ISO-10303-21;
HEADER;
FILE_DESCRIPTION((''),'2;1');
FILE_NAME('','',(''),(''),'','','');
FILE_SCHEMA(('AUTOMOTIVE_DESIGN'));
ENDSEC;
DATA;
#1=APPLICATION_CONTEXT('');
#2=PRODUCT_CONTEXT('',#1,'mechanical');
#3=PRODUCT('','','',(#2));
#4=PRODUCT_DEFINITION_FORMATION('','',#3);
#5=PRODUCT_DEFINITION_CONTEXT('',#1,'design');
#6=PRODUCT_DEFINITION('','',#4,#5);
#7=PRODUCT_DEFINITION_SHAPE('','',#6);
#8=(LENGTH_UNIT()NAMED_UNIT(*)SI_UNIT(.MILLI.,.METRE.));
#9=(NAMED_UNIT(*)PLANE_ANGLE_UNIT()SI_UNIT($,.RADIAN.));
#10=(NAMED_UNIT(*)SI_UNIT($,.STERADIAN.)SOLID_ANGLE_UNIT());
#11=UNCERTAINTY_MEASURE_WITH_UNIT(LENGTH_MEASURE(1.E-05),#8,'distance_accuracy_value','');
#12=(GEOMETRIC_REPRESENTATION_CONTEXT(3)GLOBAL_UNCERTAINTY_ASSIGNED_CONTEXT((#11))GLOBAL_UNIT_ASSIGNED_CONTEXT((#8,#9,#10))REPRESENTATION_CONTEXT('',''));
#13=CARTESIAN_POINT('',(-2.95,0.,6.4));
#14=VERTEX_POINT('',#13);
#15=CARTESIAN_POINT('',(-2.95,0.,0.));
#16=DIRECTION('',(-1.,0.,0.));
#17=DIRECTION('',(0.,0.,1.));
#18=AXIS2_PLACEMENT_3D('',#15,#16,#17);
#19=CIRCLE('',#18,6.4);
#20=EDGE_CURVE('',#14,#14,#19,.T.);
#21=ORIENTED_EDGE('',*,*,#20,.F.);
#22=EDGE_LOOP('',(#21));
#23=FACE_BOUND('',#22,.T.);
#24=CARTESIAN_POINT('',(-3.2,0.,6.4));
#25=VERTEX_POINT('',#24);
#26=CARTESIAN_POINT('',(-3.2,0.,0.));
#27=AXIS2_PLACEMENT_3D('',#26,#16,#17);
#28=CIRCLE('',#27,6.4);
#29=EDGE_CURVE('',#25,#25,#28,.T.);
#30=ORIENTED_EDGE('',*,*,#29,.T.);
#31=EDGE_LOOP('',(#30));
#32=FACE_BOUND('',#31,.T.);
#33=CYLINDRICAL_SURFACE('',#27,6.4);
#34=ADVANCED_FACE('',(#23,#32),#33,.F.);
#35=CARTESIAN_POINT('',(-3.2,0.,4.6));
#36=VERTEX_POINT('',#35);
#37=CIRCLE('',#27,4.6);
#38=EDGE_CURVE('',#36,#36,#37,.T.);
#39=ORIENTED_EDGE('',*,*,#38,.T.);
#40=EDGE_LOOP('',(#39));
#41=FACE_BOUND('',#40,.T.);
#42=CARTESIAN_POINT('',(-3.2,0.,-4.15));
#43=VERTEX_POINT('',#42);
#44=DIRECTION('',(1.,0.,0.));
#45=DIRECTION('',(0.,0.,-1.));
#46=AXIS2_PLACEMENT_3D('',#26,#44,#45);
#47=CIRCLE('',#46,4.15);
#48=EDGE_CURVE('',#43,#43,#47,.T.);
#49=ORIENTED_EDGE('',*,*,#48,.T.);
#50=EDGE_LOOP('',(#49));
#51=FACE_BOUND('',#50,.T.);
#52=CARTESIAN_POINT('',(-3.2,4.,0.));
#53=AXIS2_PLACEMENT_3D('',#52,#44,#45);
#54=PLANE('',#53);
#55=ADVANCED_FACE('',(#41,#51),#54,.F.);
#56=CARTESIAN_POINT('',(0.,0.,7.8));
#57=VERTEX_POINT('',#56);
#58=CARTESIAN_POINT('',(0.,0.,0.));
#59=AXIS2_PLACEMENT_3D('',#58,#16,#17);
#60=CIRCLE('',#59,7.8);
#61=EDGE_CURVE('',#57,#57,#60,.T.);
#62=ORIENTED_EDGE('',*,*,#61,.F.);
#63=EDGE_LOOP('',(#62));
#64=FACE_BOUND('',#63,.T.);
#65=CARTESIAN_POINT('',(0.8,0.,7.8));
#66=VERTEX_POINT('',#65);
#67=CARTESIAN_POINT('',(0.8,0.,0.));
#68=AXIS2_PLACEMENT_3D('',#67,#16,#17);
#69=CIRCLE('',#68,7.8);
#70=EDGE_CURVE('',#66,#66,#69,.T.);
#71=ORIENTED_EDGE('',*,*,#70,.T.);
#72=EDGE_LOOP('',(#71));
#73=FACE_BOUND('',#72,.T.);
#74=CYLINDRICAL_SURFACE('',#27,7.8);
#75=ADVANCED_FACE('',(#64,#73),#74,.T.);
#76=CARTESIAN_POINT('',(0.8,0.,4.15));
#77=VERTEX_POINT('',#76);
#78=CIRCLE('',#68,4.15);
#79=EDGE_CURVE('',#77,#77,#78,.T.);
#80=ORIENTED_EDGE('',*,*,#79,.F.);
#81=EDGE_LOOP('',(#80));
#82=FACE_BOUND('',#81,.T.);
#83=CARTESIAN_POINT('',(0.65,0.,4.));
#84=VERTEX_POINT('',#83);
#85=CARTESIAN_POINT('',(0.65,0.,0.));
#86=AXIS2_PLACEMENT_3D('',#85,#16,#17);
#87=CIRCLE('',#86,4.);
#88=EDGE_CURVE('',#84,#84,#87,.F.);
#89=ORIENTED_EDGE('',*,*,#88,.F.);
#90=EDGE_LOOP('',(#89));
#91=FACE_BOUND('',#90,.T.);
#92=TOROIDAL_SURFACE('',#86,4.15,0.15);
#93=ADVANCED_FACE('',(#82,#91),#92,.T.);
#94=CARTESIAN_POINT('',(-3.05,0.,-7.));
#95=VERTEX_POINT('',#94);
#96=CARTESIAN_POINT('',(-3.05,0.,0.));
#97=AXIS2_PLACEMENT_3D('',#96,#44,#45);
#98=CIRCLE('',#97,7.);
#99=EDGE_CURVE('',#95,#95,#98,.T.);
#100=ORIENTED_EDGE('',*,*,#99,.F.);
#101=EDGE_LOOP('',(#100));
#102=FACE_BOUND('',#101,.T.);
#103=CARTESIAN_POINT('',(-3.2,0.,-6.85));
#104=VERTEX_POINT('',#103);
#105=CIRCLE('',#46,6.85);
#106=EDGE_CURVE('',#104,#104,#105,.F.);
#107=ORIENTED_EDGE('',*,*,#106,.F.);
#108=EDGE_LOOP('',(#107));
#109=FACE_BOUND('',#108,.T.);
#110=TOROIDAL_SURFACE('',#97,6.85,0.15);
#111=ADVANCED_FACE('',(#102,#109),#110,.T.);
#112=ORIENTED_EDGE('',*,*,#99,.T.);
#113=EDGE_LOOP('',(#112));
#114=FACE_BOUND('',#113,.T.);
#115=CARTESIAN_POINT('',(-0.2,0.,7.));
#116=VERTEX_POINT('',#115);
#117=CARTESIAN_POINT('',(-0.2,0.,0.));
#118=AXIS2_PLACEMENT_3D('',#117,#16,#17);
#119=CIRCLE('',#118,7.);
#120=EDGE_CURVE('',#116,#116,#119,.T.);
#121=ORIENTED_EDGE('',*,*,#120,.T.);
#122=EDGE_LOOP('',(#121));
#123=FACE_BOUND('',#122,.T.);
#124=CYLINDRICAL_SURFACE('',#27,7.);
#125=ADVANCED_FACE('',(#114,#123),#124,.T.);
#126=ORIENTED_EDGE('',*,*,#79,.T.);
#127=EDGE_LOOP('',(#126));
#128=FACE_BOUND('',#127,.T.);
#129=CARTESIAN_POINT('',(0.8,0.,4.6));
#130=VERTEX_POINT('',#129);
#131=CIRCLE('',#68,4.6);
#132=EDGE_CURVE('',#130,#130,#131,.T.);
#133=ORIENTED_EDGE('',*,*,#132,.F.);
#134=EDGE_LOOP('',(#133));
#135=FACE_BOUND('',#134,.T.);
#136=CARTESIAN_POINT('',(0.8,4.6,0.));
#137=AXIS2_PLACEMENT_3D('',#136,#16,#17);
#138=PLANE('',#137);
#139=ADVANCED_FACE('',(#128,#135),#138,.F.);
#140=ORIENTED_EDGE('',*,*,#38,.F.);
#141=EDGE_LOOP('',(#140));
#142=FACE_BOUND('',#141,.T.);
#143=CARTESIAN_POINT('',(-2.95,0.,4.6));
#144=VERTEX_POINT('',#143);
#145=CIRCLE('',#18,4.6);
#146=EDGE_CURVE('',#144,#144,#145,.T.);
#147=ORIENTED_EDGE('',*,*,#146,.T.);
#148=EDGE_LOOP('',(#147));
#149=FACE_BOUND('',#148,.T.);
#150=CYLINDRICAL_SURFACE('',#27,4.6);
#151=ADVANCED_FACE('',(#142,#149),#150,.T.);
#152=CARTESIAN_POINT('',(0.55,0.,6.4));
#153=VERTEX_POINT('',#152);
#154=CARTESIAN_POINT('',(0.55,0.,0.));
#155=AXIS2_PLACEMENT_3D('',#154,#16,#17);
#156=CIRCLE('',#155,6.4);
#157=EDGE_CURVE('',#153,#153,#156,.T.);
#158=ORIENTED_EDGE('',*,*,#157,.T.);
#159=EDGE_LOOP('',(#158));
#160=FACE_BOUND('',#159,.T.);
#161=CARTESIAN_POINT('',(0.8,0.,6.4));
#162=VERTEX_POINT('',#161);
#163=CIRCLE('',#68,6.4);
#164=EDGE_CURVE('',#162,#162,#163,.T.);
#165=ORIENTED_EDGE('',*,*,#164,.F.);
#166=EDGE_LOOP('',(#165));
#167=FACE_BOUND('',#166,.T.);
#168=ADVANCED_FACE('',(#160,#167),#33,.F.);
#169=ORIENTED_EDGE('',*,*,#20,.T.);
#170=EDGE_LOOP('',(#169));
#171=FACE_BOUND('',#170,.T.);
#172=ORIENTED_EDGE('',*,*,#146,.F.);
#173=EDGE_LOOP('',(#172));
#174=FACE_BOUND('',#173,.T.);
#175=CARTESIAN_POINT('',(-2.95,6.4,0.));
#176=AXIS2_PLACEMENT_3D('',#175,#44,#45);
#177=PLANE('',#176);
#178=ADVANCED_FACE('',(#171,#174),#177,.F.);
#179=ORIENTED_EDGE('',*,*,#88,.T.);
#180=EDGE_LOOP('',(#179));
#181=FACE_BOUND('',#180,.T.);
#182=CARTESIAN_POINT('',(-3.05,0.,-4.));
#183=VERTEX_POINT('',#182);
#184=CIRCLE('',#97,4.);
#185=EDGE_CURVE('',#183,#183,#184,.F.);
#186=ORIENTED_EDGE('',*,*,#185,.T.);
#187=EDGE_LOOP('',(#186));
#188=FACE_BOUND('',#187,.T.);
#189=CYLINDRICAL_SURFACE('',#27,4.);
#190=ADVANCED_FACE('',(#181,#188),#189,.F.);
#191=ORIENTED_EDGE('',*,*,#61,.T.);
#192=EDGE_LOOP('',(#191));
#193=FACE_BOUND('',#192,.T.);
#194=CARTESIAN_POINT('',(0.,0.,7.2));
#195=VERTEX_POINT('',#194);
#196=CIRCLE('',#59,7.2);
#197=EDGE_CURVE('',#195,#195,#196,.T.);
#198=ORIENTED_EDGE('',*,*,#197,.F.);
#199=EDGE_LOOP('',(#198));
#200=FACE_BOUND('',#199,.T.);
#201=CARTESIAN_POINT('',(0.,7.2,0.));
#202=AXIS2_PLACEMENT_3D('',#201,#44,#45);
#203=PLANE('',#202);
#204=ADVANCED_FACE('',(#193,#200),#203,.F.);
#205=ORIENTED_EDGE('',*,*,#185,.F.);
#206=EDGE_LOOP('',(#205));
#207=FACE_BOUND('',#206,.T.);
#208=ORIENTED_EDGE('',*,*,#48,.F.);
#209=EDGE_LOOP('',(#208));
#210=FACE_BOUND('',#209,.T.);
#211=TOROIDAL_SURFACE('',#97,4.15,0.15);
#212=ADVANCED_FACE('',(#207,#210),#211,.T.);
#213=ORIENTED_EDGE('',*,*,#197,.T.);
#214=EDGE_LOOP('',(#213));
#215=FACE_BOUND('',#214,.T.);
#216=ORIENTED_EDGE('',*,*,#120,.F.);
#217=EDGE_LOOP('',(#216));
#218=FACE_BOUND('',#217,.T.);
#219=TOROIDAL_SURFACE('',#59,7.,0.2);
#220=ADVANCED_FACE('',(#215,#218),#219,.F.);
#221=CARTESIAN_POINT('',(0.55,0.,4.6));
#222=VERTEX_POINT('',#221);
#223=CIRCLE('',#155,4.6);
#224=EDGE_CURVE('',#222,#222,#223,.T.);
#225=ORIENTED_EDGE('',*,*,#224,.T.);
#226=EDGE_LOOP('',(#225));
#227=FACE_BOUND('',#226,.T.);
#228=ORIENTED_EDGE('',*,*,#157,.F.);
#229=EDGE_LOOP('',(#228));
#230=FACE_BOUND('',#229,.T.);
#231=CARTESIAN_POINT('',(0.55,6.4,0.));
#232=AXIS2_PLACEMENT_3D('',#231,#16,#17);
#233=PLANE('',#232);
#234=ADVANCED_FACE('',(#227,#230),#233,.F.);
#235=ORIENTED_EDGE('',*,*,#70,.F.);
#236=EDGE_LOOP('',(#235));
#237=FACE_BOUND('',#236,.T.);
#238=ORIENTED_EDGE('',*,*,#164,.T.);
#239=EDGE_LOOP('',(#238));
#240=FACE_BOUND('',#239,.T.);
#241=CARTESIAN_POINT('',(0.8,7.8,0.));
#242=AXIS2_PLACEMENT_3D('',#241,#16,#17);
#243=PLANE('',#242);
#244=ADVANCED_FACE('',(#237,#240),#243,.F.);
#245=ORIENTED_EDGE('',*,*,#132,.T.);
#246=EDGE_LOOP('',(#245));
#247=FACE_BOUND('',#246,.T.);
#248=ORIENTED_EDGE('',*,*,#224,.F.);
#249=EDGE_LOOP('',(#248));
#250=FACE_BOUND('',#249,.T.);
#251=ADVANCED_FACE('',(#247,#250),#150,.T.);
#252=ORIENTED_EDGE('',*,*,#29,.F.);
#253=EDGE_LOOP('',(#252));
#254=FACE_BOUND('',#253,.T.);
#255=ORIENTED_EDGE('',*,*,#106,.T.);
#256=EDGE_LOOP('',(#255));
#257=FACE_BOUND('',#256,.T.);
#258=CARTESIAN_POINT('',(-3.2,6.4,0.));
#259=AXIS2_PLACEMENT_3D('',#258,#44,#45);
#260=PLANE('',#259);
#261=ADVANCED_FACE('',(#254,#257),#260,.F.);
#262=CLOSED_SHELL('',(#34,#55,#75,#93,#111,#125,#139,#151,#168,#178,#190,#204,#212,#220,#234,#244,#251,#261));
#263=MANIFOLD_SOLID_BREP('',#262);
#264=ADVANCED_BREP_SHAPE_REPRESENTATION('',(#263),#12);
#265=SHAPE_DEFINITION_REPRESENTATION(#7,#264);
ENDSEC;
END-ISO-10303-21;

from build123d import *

# Parameters (mm, degrees)
FILLET1_R = 0.15


with BuildPart() as part:
    # Sketch1 → Revolve1 (revolve)
    with BuildSketch(Plane.XY, mode=Mode.PRIVATE) as revolve1_sk:
        with BuildLine():
            Line((0, 7.2), (0, 7.8))
            Line((0, 7.8), (0.8, 7.8))
            Line((0.8, 7.8), (0.8, 6.4))
            Line((0.8, 6.4), (0.55, 6.4))
            Line((0.55, 6.4), (0.55, 4.6))
            Line((0.55, 4.6), (0.8, 4.6))
            Line((0.8, 4.6), (0.8, 4))
            Line((0.8, 4), (-3.2, 4))
            Line((-3.2, 4), (-3.2, 4.6))
            Line((-3.2, 4.6), (-2.95, 4.6))
            Line((-2.95, 4.6), (-2.95, 6.4))
            Line((-2.95, 6.4), (-3.2, 6.4))
            Line((-3.2, 6.4), (-3.2, 7))
            Line((-3.2, 7), (-0.2, 7))
            ThreePointArc((-0.2, 7), (0.141421356, 6.858578644), (0, 7.2))
        make_face()
    revolve(revolve1_sk.sketch.rotate(Axis((-3.2, 0, 0), (1, 0, 0)), 90), axis=Axis((-3.2, 0, 0), (1, 0, 0)))

    # Fillet1
    fillet1_edges = [part.edges().sort_by_distance(p)[0] for p in [
        (0.8, 0, -4),
        (-3.2, 0, -4),
        (-3.2, 0, -7),
    ]]
    fillet(fillet1_edges, radius=FILLET1_R)


solid = part.part
